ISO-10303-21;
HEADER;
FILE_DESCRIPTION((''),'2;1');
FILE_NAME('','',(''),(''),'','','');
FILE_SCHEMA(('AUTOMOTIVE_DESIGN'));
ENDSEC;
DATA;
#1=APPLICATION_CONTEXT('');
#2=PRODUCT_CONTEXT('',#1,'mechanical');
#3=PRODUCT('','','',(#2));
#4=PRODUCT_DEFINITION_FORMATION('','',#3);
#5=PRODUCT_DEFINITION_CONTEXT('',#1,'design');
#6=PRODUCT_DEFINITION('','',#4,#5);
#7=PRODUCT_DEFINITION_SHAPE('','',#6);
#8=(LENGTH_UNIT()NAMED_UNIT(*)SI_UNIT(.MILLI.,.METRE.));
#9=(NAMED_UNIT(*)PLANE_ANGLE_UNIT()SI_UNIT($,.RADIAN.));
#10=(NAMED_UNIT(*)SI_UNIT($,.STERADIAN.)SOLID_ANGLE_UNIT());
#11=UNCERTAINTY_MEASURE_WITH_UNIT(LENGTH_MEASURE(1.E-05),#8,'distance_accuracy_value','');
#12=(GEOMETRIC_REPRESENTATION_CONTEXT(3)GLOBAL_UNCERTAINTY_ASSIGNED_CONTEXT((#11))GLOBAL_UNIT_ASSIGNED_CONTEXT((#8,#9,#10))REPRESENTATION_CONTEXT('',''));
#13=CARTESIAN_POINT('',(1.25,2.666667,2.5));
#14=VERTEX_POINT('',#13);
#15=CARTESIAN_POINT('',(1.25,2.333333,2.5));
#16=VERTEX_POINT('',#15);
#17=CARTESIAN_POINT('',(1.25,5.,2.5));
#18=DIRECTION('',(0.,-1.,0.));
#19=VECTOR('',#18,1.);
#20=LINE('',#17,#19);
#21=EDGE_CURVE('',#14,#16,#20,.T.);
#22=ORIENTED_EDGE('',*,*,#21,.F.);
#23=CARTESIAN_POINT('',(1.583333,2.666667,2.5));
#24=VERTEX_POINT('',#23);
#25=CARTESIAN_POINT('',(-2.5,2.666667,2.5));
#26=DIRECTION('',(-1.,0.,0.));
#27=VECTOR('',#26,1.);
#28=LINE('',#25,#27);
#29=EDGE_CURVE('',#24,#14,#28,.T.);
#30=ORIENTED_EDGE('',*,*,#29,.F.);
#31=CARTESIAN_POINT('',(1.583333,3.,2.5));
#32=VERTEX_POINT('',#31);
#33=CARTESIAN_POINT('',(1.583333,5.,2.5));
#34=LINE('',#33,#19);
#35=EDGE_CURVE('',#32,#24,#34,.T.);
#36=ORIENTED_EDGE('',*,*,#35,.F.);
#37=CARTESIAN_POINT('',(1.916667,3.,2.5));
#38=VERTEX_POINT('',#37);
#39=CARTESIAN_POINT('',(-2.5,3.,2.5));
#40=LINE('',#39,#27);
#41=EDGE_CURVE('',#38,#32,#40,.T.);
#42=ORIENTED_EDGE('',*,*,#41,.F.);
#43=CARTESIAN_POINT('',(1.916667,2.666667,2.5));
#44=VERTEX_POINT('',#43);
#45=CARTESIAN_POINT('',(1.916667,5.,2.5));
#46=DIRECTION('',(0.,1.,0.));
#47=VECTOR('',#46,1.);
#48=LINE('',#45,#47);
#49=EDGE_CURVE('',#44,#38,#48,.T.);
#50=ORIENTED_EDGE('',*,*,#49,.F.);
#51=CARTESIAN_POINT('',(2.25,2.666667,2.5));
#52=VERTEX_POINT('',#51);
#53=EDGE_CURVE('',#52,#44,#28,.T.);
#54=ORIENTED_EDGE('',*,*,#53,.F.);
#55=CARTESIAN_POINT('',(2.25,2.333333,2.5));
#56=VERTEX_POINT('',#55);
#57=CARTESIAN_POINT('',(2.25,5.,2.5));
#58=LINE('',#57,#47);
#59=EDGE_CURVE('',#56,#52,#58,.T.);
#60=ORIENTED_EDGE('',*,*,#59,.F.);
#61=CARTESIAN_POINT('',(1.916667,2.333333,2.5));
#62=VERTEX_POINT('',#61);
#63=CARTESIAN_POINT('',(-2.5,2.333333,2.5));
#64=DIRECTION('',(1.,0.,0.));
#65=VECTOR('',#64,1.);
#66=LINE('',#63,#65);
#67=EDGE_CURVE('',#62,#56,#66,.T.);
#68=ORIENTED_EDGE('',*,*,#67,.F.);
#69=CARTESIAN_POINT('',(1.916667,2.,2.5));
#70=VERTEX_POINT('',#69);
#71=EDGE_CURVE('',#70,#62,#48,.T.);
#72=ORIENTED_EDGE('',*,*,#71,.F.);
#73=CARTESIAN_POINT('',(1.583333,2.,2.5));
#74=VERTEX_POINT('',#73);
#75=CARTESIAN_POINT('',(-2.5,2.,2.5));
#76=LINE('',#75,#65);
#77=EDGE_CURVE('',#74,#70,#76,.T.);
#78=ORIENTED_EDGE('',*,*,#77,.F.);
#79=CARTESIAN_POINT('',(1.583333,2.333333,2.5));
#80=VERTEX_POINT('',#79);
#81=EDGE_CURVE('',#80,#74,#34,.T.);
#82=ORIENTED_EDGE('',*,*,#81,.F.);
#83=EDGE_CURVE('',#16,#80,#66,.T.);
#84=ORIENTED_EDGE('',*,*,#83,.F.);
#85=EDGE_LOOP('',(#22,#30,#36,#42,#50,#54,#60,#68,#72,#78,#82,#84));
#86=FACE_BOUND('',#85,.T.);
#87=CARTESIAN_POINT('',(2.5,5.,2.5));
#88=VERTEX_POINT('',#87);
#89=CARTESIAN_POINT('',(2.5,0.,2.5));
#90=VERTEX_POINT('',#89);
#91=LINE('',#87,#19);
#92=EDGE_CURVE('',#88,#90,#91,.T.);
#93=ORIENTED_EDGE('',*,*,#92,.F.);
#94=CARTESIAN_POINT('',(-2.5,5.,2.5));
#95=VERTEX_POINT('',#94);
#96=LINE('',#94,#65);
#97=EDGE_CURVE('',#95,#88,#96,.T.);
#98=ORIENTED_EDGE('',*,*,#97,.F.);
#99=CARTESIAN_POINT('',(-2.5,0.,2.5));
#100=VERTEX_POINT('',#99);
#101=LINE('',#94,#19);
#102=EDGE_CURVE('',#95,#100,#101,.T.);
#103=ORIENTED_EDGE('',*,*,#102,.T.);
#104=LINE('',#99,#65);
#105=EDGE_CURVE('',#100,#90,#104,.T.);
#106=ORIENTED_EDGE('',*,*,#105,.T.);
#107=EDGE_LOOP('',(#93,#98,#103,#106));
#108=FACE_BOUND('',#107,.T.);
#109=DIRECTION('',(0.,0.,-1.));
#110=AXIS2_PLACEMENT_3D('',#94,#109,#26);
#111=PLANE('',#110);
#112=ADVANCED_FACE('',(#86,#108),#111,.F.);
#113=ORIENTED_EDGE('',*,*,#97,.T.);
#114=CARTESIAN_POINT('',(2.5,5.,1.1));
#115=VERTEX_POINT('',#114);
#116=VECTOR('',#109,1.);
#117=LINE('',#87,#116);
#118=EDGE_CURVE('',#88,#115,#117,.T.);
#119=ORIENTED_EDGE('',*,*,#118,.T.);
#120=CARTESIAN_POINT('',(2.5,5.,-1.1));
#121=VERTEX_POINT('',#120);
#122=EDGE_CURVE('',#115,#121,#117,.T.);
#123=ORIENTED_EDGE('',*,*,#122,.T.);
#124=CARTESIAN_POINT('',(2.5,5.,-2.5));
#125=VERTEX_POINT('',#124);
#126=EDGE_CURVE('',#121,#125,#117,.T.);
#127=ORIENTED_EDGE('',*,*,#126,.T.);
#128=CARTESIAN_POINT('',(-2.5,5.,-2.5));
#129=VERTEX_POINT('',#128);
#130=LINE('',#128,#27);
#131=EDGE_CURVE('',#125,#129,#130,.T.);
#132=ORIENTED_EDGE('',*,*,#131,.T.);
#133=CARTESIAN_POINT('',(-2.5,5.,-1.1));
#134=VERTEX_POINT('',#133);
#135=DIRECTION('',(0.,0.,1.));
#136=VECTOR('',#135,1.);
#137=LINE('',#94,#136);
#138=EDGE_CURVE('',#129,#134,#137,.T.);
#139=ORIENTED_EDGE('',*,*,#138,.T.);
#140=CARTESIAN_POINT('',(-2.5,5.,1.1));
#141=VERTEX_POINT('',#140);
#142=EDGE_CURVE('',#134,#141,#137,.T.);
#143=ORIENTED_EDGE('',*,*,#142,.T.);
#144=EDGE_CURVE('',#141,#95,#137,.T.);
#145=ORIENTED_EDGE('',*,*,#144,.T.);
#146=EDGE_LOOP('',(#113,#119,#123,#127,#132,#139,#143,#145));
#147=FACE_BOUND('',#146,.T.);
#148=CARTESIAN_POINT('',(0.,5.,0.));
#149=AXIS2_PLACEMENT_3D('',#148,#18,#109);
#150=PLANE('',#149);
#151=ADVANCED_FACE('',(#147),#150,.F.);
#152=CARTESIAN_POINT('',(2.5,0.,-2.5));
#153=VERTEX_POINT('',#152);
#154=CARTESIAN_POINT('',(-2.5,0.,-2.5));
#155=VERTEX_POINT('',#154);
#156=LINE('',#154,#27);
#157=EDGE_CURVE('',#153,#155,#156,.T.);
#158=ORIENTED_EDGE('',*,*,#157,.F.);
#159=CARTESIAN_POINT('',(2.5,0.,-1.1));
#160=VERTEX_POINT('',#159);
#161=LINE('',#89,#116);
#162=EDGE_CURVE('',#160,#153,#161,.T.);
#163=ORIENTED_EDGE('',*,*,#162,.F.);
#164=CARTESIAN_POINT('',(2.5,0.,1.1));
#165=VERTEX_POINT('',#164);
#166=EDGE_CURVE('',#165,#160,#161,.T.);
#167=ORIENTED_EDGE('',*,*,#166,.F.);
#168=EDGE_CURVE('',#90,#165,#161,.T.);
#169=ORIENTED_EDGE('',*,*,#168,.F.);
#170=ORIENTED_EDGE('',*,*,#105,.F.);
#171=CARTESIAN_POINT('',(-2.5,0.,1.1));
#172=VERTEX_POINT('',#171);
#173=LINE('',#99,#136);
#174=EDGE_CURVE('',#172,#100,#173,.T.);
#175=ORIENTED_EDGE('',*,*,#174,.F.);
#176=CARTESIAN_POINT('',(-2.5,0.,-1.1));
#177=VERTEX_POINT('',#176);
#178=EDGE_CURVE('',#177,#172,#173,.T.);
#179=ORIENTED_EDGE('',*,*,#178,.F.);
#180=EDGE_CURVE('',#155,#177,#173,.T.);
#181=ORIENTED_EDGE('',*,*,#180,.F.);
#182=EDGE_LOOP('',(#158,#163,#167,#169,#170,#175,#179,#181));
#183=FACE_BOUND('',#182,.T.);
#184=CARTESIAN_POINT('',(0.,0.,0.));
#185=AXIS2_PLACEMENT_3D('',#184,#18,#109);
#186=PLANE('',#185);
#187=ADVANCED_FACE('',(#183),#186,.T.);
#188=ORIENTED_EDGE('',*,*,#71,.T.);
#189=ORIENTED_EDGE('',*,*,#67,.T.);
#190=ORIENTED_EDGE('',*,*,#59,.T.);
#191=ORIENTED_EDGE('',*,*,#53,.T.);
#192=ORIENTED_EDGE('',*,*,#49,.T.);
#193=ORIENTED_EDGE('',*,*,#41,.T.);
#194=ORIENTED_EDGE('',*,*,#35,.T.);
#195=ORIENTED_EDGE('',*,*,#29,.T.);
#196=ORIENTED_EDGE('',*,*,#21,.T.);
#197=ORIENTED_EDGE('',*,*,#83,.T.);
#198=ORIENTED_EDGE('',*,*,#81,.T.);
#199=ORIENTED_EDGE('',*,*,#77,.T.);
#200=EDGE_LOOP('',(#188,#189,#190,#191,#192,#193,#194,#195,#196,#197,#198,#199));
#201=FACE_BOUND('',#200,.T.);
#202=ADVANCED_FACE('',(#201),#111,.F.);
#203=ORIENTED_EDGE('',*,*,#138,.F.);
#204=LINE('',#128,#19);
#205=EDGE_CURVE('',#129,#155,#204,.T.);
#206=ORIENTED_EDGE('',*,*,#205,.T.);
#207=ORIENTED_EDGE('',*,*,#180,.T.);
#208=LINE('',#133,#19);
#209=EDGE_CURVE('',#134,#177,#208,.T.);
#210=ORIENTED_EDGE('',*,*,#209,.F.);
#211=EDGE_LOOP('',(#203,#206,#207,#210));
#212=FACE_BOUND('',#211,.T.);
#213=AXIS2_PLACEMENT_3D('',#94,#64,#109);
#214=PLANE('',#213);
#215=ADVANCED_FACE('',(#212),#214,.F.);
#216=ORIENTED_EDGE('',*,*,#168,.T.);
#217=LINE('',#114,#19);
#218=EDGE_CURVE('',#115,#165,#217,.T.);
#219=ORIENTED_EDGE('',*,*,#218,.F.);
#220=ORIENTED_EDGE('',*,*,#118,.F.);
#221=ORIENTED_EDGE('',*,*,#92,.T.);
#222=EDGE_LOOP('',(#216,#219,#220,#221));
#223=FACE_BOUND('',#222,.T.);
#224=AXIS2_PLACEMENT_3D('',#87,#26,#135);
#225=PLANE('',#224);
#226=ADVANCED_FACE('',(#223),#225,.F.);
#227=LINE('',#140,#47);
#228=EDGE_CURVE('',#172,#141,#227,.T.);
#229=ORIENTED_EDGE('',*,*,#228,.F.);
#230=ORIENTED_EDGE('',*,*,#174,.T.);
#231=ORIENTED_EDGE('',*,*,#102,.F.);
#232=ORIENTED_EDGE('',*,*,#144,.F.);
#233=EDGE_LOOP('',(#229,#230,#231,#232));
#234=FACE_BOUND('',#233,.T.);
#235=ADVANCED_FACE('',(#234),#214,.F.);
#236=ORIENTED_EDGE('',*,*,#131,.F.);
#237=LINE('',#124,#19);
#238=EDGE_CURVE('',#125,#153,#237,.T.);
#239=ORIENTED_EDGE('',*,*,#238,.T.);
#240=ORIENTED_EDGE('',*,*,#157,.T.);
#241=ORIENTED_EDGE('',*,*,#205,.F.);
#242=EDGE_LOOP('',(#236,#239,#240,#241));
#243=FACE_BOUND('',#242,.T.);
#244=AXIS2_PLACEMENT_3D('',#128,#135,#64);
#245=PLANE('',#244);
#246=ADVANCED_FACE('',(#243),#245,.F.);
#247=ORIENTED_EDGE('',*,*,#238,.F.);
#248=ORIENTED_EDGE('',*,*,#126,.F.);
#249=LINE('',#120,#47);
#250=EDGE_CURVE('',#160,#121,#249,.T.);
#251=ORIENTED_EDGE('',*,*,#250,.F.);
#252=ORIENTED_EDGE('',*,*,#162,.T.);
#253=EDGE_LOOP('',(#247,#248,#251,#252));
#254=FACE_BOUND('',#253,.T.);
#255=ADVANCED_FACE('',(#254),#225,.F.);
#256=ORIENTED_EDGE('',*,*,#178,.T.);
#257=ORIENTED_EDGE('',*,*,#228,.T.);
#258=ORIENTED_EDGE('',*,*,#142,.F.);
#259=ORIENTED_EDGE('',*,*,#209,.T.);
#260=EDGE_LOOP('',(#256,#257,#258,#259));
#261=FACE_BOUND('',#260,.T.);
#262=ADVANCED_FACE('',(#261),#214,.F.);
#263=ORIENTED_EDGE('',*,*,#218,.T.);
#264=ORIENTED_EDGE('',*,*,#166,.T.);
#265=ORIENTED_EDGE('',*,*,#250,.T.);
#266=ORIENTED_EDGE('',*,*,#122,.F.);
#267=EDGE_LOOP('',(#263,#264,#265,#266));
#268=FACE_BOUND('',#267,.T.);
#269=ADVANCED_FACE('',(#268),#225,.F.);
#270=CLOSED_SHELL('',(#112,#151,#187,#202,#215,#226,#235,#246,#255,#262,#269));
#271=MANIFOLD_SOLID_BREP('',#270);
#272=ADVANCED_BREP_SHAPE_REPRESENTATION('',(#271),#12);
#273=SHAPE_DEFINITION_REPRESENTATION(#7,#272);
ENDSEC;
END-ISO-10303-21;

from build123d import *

# Parameters (mm, degrees)
SKETCH1_W           = 5
SKETCH1_H           = 5
BOSS_EXTRUDE1_DEPTH = 5


with BuildPart() as part:
    # Sketch1 → Boss-Extrude1 (new body)
    with BuildSketch(Plane(origin=(0, 0, 0), x_dir=(1, 0, 0), z_dir=(0, 1, 0))):
        Rectangle(SKETCH1_W, SKETCH1_H)
    extrude(amount=BOSS_EXTRUDE1_DEPTH)


solid = part.part
